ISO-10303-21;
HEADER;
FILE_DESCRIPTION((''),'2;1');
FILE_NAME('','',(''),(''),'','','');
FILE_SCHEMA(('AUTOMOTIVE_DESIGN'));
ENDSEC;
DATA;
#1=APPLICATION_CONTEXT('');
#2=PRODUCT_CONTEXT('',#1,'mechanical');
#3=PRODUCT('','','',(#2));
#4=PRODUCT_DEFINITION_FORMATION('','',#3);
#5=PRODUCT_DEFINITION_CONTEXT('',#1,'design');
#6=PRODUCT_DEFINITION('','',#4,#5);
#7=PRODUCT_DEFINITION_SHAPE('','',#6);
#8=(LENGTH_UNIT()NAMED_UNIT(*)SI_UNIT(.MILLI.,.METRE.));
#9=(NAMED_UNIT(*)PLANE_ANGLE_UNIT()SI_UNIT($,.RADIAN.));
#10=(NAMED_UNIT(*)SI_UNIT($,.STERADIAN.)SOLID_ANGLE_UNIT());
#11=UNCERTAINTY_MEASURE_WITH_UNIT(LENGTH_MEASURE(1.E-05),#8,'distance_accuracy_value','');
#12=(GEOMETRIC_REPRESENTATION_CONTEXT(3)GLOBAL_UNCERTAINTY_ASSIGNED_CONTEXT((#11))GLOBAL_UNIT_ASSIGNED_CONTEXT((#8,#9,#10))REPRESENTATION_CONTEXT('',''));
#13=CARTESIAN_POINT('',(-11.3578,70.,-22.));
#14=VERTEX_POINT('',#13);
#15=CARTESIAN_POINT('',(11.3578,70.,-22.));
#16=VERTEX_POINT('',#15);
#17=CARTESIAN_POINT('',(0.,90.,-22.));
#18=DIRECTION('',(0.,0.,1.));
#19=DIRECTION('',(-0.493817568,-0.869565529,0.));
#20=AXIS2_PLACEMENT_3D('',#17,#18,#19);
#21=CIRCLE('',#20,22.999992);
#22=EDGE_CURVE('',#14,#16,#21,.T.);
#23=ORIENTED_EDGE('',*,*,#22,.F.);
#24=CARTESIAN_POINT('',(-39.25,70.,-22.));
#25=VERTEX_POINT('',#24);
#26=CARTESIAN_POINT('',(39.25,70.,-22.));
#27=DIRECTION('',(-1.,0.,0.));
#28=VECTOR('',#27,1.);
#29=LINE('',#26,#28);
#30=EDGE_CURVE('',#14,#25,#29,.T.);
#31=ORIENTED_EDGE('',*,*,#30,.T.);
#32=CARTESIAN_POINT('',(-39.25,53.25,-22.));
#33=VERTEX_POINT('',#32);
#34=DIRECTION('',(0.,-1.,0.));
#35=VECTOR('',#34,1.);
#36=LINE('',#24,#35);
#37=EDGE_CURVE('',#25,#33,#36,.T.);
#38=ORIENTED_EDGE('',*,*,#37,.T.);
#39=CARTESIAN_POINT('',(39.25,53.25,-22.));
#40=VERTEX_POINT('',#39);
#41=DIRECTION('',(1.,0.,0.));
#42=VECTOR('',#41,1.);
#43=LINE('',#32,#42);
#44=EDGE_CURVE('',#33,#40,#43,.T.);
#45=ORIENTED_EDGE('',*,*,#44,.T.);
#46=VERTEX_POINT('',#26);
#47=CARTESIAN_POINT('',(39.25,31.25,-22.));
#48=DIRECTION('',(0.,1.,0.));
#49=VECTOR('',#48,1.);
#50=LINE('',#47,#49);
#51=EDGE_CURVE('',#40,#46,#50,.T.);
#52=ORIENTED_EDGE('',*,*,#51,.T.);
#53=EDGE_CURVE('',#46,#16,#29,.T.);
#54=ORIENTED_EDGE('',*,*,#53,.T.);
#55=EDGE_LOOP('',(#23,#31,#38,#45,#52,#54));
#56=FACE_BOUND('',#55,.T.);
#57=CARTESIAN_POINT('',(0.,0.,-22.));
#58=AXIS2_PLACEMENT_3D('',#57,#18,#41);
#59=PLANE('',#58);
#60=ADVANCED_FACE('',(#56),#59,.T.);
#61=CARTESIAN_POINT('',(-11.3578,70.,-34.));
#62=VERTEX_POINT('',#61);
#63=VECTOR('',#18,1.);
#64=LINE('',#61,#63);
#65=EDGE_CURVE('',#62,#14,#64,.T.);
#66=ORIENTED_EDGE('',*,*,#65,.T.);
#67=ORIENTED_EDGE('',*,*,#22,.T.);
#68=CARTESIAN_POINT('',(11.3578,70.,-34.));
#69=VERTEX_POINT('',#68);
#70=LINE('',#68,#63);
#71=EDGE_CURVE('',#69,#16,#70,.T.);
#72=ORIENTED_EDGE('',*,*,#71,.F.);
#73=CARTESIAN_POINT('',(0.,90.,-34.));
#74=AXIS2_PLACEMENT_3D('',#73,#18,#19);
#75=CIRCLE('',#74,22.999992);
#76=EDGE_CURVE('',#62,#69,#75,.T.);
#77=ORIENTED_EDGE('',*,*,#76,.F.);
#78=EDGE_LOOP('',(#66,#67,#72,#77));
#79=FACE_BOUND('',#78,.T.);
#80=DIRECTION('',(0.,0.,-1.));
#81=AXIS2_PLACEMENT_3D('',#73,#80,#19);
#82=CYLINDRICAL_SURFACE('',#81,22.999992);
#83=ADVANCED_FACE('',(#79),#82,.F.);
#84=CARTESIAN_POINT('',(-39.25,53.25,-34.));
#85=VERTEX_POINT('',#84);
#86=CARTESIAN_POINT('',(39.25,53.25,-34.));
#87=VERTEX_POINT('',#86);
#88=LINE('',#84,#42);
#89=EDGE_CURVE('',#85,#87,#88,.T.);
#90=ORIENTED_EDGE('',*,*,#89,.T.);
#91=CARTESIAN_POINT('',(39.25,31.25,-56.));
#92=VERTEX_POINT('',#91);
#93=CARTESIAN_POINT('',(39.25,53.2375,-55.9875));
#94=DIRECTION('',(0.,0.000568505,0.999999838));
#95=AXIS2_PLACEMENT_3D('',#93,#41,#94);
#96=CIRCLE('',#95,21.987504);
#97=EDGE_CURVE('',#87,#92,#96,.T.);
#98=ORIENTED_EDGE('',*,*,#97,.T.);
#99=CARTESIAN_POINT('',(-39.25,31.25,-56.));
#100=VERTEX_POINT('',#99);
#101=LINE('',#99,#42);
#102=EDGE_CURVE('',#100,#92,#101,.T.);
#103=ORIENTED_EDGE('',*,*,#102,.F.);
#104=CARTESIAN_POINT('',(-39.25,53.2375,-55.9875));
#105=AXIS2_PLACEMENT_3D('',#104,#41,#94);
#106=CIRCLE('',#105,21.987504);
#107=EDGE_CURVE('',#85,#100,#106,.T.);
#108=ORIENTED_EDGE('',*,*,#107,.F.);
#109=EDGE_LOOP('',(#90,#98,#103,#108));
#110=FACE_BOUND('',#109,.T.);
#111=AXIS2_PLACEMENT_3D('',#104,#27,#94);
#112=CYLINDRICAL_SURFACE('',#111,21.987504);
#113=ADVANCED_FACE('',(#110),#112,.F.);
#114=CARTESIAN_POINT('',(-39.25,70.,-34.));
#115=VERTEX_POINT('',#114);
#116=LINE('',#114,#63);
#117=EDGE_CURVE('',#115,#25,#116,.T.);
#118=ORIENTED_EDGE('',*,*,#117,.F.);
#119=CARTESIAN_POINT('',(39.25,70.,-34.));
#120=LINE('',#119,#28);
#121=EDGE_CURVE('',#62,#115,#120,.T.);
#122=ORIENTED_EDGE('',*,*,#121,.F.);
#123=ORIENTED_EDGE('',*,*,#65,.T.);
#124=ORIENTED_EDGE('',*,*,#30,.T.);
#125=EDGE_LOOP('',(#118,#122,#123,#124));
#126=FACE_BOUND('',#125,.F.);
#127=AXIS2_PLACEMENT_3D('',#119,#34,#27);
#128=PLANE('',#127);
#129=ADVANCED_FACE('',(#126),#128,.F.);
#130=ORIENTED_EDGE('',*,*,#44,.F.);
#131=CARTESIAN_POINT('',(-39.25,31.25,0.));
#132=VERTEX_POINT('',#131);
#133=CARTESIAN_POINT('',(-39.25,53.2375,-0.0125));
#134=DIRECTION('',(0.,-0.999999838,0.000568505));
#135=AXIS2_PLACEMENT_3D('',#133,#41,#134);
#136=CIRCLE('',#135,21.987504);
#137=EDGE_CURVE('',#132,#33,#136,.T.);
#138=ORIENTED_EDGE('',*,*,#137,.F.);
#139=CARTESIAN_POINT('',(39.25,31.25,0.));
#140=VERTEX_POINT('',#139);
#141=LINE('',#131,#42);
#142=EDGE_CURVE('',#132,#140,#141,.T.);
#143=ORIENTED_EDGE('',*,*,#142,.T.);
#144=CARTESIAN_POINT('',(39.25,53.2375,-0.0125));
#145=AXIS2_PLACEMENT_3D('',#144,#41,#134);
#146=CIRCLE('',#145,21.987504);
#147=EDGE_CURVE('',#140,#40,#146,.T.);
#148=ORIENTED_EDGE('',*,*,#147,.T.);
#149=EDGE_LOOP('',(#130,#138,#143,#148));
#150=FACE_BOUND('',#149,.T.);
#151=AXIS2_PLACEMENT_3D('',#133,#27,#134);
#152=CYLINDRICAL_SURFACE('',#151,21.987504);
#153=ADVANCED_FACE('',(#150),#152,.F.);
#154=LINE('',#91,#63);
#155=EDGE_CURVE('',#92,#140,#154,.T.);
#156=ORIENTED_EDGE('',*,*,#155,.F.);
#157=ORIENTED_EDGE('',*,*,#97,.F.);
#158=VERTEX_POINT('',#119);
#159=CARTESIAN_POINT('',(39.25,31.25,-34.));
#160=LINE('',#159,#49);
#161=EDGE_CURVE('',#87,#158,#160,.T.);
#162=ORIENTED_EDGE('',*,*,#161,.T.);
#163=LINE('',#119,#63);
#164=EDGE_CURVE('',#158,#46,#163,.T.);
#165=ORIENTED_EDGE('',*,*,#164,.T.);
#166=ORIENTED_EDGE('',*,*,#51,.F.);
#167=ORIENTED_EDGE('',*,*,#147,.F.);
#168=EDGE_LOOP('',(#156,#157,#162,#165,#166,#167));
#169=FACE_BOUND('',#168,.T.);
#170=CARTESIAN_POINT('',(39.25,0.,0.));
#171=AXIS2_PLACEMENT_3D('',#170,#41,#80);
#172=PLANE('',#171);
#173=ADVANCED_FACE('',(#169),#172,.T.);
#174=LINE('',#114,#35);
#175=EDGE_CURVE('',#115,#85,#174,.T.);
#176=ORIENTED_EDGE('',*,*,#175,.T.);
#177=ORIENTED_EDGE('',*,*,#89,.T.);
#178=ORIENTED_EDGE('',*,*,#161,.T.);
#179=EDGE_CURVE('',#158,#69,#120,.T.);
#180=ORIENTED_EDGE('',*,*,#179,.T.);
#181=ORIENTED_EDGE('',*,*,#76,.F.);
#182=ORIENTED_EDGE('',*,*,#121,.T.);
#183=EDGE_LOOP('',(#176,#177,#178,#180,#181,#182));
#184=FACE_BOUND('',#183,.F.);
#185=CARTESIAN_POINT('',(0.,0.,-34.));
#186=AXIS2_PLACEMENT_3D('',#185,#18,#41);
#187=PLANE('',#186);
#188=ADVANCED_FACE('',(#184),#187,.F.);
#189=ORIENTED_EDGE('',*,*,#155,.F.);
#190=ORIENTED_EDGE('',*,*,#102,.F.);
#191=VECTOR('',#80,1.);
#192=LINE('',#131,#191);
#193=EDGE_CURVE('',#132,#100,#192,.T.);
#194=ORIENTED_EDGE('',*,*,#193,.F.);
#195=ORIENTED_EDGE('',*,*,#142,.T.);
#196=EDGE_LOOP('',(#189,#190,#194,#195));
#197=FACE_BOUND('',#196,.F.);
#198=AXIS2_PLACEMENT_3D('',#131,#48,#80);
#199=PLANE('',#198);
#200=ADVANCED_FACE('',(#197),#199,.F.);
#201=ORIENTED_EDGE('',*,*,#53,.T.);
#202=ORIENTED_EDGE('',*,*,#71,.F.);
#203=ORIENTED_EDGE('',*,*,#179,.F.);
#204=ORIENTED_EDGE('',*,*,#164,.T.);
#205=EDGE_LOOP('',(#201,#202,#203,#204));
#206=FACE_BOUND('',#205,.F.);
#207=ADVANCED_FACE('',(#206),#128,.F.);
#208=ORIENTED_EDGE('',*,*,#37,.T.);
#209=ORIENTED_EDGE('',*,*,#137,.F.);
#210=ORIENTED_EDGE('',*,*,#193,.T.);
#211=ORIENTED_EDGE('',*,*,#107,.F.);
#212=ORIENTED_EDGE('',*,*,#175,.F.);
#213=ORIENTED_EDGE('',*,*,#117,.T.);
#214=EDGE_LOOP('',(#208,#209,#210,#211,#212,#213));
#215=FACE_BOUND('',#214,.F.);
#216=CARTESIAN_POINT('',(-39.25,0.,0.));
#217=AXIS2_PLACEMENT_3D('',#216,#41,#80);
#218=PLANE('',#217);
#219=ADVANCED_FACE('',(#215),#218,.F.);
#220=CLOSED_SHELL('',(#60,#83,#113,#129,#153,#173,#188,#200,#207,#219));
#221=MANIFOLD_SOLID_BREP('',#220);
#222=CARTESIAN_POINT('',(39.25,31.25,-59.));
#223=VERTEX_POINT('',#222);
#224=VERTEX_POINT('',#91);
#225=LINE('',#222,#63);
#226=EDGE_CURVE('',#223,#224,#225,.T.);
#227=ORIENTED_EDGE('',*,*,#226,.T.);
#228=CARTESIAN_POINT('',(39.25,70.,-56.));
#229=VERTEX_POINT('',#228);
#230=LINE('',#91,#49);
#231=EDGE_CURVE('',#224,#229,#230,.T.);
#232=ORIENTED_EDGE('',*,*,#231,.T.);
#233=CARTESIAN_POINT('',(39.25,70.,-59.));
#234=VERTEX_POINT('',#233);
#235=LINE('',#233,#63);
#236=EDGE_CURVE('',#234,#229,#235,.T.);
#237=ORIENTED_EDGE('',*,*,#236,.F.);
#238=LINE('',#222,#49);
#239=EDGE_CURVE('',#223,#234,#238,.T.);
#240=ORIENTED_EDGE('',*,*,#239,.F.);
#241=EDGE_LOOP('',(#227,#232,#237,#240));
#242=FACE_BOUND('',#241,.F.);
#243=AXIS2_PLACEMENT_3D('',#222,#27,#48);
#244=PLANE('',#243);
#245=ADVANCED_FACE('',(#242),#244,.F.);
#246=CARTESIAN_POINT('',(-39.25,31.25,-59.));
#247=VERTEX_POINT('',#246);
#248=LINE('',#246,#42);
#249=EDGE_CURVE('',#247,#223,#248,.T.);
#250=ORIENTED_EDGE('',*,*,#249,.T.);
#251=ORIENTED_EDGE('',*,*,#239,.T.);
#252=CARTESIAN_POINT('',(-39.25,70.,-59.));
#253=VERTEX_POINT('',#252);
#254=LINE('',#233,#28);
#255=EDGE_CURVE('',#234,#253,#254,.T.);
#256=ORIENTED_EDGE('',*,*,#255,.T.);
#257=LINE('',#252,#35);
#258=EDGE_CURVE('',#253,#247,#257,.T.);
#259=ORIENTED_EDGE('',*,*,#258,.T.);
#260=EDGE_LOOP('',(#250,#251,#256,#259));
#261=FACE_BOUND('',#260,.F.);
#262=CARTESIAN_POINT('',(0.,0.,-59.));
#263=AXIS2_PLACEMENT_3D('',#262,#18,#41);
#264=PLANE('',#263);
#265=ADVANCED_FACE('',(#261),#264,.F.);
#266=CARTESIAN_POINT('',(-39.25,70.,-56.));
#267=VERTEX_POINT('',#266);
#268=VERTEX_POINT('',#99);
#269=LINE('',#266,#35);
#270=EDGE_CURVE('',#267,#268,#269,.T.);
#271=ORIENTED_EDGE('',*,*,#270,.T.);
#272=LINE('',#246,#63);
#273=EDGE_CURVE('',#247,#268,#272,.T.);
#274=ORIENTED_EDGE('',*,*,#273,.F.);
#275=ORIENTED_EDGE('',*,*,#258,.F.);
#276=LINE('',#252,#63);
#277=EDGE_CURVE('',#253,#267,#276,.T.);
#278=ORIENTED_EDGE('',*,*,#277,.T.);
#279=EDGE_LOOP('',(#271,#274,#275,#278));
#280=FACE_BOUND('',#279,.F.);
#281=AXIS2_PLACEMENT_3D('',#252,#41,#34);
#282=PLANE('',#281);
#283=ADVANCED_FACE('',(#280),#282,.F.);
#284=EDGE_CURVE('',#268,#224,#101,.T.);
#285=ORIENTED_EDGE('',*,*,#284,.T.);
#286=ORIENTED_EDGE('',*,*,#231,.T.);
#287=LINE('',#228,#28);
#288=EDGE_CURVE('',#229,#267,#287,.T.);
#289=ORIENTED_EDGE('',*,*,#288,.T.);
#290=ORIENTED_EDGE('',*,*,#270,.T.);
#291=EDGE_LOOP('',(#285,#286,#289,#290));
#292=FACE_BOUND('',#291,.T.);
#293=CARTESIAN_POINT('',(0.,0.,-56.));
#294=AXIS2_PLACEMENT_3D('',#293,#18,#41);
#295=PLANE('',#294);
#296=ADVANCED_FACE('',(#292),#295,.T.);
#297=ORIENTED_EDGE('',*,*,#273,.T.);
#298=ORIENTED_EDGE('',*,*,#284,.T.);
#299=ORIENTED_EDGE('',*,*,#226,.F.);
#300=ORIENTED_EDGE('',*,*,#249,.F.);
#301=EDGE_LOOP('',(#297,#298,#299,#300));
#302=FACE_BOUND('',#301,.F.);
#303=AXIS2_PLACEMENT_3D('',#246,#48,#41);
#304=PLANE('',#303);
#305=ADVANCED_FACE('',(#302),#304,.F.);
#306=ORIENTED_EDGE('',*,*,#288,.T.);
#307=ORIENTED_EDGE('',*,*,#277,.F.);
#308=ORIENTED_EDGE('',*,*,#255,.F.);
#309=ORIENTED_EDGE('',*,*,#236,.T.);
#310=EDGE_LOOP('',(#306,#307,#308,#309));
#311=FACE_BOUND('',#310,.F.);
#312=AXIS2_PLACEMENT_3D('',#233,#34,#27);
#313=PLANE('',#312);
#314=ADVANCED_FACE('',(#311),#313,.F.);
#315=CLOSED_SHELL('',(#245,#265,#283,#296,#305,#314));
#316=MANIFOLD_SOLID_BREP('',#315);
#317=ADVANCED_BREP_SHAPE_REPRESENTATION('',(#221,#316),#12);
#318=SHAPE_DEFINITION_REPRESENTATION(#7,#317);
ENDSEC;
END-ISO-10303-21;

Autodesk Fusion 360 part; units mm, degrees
ref_plane "WorkPlane18" through (0, 0, -59) normal (0, 0, 1) x (1, 0, 0)
sketch "Sketch23" plane through (0, 0, -59) normal (0, 0, 1) x (1, 0, 0)
  line L0 (-39.25, 31.25) -> (39.25, 31.25)
  line L1 (39.25, 31.25) -> (39.25, 70)
  line L2 (39.25, 70) -> (-39.25, 70)
  line L3 (-39.25, 70) -> (-39.25, 31.25)
extrude "Extrude18" add sketch "Sketch23" along normal blind 3
ref_plane "WorkPlane19" through (-39.25, 0, 0) normal (1, 0, 0) x (0, 1, 0)
sketch "Sketch24" plane through (-39.25, 0, 0) normal (1, 0, 0) x (0, 0, -1)
  line L0 (56, 31.25) -> (34, 31.25)
  line L1 (34, 31.25) -> (34, 53.25)
  arc A0 (34, 53.25) -> (56, 31.25) centre (55.9875, 53.2375) ccw
extrude "Extrude19" add sketch "Sketch24" along normal blind 78.5
ref_plane "WorkPlane20" through (0, 0, -34) normal (0, 0, 1) x (1, 0, 0)
sketch "Sketch25" plane through (0, 0, -34) normal (0, 0, 1) x (1, 0, 0)
  line L0 (-39.25, 31.25) -> (39.25, 31.25)
  line L1 (39.25, 31.25) -> (39.25, 70)
  line L2 (39.25, 70) -> (-39.25, 70)
  line L3 (-39.25, 70) -> (-39.25, 31.25)
extrude "Extrude20" add sketch "Sketch25" along normal blind 12
ref_plane "WorkPlane21" through (-39.25, 0, 0) normal (1, 0, 0) x (0, 1, 0)
sketch "Sketch26" plane through (-39.25, 0, 0) normal (1, 0, 0) x (0, 0, -1)
  line L0 (0, 31.25) -> (22, 31.25)
  line L1 (22, 31.25) -> (22, 53.25)
  arc A0 (0, 31.25) -> (22, 53.25) centre (0.0125, 53.2375) ccw
extrude "Extrude21" add sketch "Sketch26" along normal blind 78.5
ref_plane "WorkPlane22" through (0, 0, -34) normal (0, 0, 1) x (1, 0, 0)
sketch "Sketch27" plane through (0, 0, -34) normal (0, 0, 1) x (1, 0, 0)
  arc A0 (-11.3578, 70) -> (11.3578, 70) centre (0, 90) ccw
  line L0 (11.3578, 70) -> (11.3578, 73)
  line L1 (11.3578, 73) -> (-11.3578, 73)
  line L2 (-11.3578, 73) -> (-11.3578, 70)
extrude "Extrude22" cut sketch "Sketch27" along normal blind 12
